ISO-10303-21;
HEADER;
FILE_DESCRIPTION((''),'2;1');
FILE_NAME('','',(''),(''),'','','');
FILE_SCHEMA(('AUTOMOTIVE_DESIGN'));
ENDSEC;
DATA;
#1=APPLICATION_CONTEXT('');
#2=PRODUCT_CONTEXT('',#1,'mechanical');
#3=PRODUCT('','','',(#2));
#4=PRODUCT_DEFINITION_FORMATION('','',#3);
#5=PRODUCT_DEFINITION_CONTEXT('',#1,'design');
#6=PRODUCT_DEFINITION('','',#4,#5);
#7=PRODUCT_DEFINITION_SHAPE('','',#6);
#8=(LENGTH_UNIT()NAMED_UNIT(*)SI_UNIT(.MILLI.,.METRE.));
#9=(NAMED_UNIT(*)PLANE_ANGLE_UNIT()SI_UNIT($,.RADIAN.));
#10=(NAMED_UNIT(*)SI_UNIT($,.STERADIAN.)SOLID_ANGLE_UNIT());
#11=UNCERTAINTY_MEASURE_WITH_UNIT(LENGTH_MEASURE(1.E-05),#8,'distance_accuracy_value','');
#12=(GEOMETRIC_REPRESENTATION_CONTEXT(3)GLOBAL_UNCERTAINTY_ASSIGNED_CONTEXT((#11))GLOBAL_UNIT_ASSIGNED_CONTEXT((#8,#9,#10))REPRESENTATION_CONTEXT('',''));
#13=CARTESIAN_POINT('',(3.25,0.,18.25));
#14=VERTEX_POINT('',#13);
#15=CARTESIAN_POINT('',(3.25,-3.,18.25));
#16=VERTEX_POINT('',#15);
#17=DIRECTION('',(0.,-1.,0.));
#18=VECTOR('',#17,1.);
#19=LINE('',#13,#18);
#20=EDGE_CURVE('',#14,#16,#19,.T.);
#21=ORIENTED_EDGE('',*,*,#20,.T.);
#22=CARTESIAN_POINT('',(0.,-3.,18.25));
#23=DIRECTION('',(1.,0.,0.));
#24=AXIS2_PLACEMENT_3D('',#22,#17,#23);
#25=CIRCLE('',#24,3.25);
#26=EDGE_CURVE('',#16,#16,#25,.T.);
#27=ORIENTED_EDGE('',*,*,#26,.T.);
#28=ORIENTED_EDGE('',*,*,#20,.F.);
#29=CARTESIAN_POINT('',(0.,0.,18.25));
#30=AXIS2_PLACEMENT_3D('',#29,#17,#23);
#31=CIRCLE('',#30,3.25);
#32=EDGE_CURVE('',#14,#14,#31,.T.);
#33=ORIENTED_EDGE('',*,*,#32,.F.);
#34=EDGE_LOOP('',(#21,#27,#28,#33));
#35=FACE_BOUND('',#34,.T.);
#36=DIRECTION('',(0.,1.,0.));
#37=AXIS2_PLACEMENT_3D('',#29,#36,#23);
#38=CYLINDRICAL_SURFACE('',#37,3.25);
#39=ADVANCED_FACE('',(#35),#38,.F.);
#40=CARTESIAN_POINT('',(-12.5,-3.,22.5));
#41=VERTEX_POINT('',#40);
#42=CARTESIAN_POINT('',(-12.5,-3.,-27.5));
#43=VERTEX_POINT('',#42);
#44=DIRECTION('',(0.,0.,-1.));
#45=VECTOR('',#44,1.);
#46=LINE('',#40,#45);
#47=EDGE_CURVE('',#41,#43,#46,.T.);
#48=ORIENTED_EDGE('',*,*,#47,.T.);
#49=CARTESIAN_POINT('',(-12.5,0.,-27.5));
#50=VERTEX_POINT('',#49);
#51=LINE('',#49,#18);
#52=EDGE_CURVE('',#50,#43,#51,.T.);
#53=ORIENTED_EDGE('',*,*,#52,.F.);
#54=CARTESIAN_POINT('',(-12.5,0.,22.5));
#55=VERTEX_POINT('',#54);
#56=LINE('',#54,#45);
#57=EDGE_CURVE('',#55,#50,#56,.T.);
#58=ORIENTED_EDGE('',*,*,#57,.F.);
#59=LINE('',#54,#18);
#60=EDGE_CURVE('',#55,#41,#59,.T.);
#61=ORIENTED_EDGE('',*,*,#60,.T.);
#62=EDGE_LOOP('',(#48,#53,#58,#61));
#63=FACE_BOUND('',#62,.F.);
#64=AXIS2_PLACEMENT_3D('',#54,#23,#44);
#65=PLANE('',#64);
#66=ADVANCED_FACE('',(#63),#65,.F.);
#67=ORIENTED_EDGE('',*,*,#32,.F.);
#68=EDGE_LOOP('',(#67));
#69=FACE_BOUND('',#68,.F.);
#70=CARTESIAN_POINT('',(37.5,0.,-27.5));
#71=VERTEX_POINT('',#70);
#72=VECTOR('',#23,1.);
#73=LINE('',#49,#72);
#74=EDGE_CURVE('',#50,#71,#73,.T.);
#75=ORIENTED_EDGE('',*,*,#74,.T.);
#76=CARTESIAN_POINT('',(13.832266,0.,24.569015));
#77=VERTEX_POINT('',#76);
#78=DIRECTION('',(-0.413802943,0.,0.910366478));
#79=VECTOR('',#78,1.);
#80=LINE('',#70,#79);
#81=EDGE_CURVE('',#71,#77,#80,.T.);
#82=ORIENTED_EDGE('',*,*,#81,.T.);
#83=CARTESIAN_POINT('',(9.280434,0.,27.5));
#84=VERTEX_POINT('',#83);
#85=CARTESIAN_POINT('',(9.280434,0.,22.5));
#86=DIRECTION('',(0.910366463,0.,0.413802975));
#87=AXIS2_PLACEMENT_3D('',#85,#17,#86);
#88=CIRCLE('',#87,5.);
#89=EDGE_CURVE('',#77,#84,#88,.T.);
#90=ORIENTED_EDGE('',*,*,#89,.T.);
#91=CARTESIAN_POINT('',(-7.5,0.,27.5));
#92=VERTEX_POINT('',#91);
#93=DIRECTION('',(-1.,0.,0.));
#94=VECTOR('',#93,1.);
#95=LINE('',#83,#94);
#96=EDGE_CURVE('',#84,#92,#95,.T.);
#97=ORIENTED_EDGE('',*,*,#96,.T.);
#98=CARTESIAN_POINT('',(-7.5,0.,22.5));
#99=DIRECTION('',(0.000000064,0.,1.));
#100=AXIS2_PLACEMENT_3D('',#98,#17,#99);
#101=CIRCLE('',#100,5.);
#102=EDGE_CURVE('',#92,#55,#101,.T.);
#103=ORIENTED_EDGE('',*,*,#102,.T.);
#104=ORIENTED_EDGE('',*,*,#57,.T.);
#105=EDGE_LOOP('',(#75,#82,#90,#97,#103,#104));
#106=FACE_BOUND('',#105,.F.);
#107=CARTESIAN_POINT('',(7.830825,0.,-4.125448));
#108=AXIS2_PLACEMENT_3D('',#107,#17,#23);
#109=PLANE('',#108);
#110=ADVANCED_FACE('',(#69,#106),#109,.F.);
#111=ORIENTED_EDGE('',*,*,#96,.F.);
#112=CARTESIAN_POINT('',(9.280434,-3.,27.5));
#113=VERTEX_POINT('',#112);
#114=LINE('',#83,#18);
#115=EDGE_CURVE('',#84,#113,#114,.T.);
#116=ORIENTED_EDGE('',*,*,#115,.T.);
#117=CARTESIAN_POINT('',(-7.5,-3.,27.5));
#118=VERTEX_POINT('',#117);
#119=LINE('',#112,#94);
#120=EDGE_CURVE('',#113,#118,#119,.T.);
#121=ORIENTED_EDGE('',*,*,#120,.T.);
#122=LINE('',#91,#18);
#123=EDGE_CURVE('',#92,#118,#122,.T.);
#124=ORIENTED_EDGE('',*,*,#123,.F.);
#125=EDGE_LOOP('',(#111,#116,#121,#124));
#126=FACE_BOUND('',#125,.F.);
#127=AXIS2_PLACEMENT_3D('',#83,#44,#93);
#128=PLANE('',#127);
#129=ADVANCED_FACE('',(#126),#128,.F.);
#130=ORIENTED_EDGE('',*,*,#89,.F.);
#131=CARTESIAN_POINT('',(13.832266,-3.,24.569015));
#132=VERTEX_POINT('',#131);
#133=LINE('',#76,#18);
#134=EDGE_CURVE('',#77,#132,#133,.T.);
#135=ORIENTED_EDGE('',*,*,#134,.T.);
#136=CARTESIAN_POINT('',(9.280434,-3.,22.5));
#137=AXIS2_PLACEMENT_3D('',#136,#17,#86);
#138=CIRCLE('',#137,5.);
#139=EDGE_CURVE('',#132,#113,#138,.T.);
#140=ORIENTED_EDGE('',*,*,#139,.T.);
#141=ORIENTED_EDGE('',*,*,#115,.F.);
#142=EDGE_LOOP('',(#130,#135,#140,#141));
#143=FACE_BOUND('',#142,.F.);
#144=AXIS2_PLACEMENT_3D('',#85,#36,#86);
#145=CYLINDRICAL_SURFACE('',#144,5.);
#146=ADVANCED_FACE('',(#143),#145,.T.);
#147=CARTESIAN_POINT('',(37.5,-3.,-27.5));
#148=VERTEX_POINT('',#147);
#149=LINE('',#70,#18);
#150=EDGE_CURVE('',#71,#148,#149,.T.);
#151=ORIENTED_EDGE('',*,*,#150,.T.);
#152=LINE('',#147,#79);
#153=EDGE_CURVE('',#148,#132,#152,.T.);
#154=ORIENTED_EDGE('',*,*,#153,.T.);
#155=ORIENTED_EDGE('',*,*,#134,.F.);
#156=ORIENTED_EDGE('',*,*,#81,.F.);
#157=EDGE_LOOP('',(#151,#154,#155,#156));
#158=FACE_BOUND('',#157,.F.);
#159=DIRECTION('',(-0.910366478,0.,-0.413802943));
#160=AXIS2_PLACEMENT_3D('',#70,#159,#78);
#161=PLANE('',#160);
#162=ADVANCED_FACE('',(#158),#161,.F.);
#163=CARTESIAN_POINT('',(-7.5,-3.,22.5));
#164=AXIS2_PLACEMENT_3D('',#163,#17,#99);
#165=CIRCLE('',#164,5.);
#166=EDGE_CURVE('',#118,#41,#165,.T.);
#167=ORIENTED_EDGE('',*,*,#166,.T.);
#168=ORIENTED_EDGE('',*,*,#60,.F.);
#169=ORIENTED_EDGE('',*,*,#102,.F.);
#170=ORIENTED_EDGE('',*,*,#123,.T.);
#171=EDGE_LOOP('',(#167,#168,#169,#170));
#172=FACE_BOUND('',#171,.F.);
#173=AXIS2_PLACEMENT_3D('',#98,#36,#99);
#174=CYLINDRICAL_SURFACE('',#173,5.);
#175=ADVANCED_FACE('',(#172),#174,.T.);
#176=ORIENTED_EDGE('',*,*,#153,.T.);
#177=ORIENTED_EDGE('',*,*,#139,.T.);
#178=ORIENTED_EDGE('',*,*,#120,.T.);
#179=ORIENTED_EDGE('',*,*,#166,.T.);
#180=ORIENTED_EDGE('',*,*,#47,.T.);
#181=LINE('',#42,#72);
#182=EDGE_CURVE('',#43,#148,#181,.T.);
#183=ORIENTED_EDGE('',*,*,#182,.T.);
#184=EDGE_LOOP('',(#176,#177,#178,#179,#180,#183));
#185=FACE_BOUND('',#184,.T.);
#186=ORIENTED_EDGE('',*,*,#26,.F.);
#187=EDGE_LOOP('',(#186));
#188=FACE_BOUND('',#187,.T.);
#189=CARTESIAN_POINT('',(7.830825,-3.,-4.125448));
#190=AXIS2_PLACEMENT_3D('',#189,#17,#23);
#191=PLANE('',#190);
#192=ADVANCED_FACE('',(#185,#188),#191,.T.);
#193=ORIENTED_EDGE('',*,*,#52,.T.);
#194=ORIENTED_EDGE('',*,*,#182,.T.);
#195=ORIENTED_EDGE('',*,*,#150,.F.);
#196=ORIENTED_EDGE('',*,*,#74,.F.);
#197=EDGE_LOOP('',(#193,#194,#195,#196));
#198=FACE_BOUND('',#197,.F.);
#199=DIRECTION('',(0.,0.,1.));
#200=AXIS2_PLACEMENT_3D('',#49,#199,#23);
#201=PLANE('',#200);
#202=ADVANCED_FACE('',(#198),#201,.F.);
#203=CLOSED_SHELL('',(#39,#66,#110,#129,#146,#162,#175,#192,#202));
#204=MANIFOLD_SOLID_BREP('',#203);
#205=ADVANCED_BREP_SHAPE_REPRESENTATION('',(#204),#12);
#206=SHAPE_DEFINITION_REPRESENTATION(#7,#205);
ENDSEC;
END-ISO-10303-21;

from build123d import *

# Parameters (mm, degrees)
F0_R     = 3.25
F1_DEPTH = 3


with BuildPart() as f1:
    # F0 (on Front) → F1 (new body)
    with BuildSketch(Plane.XZ):
        with BuildLine():
            Line((9.280434, 27.5), (7.5, 27.5))
            Line((7.5, 27.5), (-7.5, 27.5))
            ThreePointArc((-7.5, 27.5), (-11.035534, 26.035534), (-12.5, 22.5))
            Line((-12.5, 22.5), (-12.5, -27.5))
            Line((-12.5, -27.5), (12.5, -27.5))
            Line((12.5, -27.5), (37.5, -27.5))
            Line((37.5, -27.5), (13.832266, 24.569015))
            ThreePointArc((13.832266, 24.569015), (11.987362, 26.703872), (9.280434, 27.5))
        make_face()
        with Locations((0, 18.25)):
            Circle(F0_R, mode=Mode.SUBTRACT)
    extrude(amount=F1_DEPTH)


solid = f1.part
